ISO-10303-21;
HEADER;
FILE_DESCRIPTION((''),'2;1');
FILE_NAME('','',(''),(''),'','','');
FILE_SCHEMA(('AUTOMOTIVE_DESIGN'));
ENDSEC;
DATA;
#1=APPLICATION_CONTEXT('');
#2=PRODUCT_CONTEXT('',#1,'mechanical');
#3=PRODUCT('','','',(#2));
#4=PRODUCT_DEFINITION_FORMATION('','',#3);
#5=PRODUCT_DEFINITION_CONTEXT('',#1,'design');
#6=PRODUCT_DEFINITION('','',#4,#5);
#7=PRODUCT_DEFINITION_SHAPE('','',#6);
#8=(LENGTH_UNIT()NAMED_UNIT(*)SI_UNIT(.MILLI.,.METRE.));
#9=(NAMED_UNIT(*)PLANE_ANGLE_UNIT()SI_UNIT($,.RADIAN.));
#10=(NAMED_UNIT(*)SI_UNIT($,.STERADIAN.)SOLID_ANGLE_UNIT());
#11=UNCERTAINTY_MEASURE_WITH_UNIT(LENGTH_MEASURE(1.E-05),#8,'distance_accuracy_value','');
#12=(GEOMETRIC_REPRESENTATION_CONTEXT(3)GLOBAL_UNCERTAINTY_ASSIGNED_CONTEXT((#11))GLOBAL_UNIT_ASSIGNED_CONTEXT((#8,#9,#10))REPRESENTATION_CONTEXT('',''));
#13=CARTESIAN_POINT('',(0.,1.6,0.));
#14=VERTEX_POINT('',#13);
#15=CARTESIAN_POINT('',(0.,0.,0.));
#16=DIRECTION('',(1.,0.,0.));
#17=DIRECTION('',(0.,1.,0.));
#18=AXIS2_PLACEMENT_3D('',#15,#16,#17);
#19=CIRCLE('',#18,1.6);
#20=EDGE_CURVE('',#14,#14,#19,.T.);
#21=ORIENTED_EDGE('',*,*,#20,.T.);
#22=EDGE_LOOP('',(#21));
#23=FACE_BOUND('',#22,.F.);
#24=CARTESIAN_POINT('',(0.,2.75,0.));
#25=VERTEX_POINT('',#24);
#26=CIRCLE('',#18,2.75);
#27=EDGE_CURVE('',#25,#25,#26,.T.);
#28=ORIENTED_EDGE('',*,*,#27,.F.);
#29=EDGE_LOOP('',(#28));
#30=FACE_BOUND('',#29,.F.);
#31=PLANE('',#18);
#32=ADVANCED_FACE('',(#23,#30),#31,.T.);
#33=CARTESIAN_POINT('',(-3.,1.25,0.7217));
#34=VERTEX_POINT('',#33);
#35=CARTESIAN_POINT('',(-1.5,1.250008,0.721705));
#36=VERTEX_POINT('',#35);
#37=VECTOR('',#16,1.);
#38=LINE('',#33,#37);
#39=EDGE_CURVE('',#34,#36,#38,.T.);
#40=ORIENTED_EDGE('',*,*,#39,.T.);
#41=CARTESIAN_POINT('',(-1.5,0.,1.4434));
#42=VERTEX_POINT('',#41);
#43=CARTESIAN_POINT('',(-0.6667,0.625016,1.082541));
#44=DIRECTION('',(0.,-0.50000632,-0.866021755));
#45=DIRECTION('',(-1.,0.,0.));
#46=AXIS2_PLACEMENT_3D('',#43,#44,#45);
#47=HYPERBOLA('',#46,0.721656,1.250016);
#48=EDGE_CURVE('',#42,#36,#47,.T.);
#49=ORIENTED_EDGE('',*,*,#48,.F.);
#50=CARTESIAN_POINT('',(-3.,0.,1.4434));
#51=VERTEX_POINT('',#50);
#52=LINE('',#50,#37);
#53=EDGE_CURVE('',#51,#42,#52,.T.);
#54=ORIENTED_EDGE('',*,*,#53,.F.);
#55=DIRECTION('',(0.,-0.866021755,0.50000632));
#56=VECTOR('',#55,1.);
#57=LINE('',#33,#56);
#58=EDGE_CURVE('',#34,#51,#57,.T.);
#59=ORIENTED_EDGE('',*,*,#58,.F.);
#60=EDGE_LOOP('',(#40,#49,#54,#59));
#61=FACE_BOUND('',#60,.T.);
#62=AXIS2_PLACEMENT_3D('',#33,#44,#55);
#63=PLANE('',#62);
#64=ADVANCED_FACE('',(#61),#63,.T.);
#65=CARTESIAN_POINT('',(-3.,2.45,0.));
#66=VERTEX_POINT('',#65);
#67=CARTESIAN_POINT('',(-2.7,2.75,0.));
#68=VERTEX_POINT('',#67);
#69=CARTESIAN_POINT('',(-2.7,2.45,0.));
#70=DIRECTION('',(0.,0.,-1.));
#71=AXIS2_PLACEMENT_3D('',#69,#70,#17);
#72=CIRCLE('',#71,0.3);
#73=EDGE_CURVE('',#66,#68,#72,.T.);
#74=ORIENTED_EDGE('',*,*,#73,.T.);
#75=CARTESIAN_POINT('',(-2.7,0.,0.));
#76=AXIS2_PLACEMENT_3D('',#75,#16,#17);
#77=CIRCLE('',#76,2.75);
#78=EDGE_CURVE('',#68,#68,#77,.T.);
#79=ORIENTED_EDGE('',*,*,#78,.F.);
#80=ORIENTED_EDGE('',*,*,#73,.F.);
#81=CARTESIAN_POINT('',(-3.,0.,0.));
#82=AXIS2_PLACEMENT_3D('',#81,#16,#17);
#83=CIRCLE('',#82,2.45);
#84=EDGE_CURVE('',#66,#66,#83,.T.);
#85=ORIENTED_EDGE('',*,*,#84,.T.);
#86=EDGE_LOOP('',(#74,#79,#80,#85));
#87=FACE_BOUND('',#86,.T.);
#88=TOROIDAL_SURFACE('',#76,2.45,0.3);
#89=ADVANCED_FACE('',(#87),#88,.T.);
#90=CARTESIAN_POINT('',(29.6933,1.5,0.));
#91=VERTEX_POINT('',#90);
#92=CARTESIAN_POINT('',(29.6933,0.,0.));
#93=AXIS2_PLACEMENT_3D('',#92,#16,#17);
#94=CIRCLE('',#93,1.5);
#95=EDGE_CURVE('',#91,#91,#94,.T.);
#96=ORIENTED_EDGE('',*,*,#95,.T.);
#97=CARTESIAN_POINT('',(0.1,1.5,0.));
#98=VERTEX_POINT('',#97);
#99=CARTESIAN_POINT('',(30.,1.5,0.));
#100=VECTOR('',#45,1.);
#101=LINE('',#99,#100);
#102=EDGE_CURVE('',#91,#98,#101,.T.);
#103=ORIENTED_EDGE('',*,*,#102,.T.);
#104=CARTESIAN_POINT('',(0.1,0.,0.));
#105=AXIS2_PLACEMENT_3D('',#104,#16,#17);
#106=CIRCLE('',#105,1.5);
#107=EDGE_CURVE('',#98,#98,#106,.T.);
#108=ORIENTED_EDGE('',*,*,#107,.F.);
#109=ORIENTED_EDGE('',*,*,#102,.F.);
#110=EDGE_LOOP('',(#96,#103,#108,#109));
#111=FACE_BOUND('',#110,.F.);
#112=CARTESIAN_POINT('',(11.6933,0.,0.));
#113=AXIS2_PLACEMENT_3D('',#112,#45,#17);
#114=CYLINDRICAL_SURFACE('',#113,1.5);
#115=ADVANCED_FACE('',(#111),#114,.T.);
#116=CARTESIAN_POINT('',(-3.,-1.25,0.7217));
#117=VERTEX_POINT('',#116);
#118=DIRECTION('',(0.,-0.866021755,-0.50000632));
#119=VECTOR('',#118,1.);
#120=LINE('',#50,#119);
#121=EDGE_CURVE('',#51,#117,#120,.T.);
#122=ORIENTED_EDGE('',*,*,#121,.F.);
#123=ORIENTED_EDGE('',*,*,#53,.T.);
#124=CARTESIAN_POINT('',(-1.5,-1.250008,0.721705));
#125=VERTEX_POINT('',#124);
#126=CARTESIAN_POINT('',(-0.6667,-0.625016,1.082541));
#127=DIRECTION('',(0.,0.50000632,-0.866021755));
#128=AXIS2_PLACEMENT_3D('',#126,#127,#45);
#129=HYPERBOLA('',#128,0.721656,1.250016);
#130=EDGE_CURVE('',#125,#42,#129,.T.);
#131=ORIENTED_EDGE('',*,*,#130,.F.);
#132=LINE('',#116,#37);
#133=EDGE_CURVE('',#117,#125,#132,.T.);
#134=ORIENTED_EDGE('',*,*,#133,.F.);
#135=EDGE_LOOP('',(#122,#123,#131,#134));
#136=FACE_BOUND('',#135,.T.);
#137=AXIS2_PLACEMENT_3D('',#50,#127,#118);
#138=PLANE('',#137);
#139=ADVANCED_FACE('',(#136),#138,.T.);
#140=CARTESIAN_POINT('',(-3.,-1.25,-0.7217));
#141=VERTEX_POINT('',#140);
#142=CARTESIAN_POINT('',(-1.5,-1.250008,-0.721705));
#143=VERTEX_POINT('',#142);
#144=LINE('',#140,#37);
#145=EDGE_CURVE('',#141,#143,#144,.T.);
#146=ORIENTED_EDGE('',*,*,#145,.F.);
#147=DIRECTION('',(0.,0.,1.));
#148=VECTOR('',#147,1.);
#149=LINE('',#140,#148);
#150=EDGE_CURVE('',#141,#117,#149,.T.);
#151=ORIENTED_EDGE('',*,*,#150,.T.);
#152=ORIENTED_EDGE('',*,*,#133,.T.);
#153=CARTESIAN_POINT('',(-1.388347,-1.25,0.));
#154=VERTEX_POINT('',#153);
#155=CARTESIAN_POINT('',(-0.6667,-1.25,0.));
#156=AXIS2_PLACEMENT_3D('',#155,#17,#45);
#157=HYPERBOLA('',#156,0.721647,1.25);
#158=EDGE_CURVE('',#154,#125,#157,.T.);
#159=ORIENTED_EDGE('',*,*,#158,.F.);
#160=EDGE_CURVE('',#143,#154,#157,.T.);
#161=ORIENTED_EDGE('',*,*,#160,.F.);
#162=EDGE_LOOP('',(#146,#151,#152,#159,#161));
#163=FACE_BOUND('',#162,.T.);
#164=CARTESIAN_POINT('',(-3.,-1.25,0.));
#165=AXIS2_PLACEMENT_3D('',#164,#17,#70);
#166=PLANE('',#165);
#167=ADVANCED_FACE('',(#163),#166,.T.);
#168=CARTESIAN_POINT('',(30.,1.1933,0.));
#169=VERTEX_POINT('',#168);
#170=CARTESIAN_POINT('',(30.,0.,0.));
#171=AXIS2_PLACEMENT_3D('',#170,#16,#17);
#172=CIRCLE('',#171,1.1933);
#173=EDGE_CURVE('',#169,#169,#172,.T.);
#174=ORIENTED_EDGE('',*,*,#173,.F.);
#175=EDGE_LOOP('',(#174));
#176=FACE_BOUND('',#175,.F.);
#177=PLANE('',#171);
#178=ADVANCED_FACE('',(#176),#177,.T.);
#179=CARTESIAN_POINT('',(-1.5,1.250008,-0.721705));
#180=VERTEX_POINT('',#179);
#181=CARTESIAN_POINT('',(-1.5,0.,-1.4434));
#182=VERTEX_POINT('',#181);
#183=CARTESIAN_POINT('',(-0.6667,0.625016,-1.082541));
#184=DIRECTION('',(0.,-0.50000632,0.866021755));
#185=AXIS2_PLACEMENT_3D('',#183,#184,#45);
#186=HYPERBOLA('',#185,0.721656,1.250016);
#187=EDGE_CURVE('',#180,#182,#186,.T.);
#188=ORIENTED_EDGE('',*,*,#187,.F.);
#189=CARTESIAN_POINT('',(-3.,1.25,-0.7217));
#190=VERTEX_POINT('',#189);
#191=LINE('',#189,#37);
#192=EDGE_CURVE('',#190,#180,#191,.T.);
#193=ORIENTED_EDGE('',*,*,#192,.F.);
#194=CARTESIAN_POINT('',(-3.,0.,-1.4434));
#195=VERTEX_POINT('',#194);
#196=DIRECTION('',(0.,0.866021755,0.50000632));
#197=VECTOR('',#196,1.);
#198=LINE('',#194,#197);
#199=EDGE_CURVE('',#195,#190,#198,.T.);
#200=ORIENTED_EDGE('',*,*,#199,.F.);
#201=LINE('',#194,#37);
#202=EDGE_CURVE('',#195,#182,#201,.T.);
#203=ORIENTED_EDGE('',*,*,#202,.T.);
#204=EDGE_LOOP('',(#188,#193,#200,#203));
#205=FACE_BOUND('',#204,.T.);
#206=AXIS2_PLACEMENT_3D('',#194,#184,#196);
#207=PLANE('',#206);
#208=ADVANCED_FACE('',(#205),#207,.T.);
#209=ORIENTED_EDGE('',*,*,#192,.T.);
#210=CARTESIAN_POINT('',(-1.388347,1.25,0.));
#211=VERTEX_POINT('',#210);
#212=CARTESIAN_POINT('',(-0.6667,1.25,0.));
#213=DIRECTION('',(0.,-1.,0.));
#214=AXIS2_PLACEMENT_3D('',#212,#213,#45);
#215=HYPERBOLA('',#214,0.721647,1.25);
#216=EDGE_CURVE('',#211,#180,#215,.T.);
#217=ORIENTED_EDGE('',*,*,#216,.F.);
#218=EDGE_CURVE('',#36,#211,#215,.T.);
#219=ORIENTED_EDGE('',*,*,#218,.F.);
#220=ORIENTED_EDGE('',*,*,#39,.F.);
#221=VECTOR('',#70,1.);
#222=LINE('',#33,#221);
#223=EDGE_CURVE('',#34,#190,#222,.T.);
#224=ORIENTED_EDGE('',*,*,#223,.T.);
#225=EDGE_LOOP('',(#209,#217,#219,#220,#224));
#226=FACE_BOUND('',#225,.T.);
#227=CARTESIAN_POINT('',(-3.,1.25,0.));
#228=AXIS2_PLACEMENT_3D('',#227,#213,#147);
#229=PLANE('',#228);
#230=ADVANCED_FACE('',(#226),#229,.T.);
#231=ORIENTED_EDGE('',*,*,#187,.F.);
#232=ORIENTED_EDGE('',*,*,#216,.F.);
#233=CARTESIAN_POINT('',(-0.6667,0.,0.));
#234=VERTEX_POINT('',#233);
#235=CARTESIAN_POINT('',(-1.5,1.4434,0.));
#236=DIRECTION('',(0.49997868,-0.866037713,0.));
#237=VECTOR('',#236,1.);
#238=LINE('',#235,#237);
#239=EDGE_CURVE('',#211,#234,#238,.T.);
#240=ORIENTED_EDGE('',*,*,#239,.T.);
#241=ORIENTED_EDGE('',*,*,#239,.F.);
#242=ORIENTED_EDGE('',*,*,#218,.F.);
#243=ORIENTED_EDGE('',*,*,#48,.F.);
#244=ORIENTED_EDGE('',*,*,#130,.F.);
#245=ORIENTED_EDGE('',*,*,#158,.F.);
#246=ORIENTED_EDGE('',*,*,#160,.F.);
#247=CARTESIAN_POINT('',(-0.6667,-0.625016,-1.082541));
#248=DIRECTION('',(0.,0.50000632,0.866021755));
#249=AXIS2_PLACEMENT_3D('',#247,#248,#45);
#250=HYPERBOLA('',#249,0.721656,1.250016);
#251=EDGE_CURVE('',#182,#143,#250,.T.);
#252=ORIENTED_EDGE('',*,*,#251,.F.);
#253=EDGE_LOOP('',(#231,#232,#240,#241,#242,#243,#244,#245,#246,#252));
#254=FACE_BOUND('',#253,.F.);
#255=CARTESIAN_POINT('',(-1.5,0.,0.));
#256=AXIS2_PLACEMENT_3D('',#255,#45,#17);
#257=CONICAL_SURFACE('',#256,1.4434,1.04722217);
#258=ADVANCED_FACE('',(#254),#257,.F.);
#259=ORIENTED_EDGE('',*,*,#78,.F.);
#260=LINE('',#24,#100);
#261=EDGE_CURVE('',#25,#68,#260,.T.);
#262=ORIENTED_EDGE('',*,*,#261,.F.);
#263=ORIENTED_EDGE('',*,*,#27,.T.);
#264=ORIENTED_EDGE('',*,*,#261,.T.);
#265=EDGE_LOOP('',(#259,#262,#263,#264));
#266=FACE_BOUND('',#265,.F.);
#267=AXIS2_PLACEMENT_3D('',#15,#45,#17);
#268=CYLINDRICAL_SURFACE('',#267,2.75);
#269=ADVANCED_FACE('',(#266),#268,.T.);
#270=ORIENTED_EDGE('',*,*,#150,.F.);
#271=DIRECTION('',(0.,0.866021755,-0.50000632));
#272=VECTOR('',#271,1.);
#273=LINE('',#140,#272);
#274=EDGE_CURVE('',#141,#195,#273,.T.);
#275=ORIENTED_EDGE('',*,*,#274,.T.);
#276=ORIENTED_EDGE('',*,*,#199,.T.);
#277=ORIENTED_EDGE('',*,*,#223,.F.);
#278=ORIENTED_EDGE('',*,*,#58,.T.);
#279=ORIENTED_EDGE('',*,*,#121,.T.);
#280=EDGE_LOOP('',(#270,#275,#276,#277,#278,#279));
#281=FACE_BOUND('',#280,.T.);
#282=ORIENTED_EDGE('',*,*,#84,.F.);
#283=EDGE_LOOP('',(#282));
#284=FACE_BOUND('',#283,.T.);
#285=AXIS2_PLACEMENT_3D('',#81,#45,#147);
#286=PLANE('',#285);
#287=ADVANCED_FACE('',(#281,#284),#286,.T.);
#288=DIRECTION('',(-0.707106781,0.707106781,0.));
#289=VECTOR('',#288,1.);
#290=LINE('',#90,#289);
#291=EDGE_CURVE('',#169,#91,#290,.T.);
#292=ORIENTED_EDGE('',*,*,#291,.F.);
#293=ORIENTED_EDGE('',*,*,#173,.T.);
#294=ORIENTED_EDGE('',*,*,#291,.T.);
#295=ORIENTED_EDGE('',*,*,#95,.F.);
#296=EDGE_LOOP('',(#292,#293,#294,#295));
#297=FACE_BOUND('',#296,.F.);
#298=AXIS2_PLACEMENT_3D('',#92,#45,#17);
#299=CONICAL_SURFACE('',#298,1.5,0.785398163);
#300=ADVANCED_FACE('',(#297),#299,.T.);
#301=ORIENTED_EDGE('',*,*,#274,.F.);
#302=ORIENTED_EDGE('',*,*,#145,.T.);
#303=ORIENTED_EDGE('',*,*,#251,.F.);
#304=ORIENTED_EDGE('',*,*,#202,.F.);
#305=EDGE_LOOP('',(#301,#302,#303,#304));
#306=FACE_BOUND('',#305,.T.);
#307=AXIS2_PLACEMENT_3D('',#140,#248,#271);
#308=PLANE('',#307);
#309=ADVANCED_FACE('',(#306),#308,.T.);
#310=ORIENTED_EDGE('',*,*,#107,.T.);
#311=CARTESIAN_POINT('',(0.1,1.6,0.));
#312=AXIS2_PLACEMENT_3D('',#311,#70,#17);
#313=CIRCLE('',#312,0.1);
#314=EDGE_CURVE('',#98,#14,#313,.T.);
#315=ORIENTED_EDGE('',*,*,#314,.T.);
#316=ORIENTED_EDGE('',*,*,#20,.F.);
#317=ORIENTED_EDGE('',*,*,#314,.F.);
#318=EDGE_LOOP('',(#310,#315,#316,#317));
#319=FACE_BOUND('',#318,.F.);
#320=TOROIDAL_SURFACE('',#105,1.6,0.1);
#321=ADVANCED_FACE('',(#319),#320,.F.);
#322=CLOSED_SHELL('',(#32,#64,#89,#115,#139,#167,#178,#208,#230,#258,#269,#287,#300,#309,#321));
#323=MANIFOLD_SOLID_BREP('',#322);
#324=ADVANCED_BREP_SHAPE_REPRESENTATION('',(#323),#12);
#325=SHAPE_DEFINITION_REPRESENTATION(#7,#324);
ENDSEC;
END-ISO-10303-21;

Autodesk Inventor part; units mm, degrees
ref_plane "YZ Plane" through (0, 0, 0) normal (1, 0, 0) x (0, 1, 0)
ref_plane "XZ Plane" through (0, 0, 0) normal (0, 1, 0) x (-1, 0, 0)
sketch "Sketch1" plane through (0, 0, 0) normal (0, 0, 1) x (1, 0, 0)
  line L0 (-0.6667, 0) -> (30, 0)
  line L1 (30, 0) -> (30, 1.5)
  line L2 (30, 1.5) -> (12, 1.5)
  line L3 (12, 1.5) -> (11.6933, 1.5)
  line L4 (11.6933, 1.5) -> (0, 1.5)
  line L5 (0, 1.5) -> (0, 2.75)
  line L6 (0, 2.75) -> (-3, 2.75)
  line L7 (-3, 2.75) -> (-3, 1.4434)
  line L8 (-3, 1.4434) -> (-1.5, 1.4434)
  line L9 (-1.5, 1.4434) -> (-0.6667, 0)
  line L10 (-9.6, 0) -> (36.6, 0) projected
  line L11 (0, -0.55) -> (0, 3.3) projected
  line L12 (12, 1.5) -> (0, 1.5) construction
  dimension "d0" = 18
  dimension "d1" = 0.3067
  dimension "d2" = 3
  dimension "d3" = 1.5
  dimension "d4" = 60
  dimension "d5" = 3
  dimension "d6" = 3
  dimension "d7" = 2.8868
  dimension "d8" = 5.5
  dimension "d19" = 30
revolve "Body" add sketch "Sketch1" angle 360 about axis through (-0.6667, 0, 0) along (1, 0, 0)
sketch "Sketch2" plane through (-3, 0, 0) normal (-1, 0, 0) x (0, 0, 1)
  circle A0 centre (0, 0) radius 1.4434 projected
  line L0 (0, -3.85) -> (0, 3.85) projected
  line L1 (-3.85, 0) -> (3.85, 0) projected
  line L2 (1.4434, 0) -> (0.7217, -1.25)
  line L3 (0.7217, -1.25) -> (-0.7217, -1.25)
  line L4 (-0.7217, -1.25) -> (-1.4434, 0)
  line L5 (-1.4434, 0) -> (-0.7217, 1.25)
  line L6 (-0.7217, 1.25) -> (0.7217, 1.25)
  line L7 (0.7217, 1.25) -> (1.4434, 0)
extrude "Slot" add sketch "Sketch2" against normal up to next contours L7 A0 | A0 L2 | L6 L0 A0 | A0 L0 L3 | L0 L6 A0 | A0 L3 L0 | L4 A0 | A0 L5
fillet "Fillet2" radius 0.3 1 edges at (-3, -2.75, 0)
thread "Thread" size "M3x0.5" class "6g" standard "ISO Metric profile" length 18
chamfer "Chamfer1" distance 0.3067 distance2 0.3067 1 edges at (30, -1.5, 0) measured on face at (30, -0.3888, 0.2119)
fillet "Fillet1" radius 0.1 1 edges at (0, -1.5, 0)
ref_plane "Work Plane1" through (30, 0, 0) normal (0, -0.5, 0.866) x (1, 0, 0)
equation "\"d0\" = GEL"
equation "\"d1\" = GAL"
equation "\"d2\" = KOH"
equation "\"d3\" = INTI"
equation "\"d5\" = GD"
equation "\"d6\" = BDM"
equation "\"d7\" = 1.1547 * SW"
equation "\"d8\" = KOD"
equation "\"d19\" = NLG"
equation "\"d16\" = RR"
equation "\"d12\" = GEL"
equation "\"d14\" = -0.5 * SPD + 0.5 * GD"
equation "\"d15\" = GUL"
equation "\"d29\" = R"
equation "\"GD\" = NND"
equation "\"NLG\" = 30"
equation "\"GEL\" = 18"
equation "\"KOD\" = 5.5"
equation "\"KOH\" = 3"
equation "\"INTI\" = 1.5"
equation "\"GAL\" = 0.61345 * PTC"
equation "\"GUL\" = 0.61345 * PTC"
equation "\"BDM\" = NND"
equation "\"SW\" = 2.5"
equation "\"RR\" = 0.3"
equation "\"SPD\" = 2.38655"
equation "\"d28\" = R"
equation "\"R\" = 0.1"
equation "\"TOA\" = 30deg"
equation "\"THREADDIA\" = 3"
equation "\"KOD1\" = KOD"
equation "\"PTC\" = 0.5"
equation "\"NND\" = 3"
equation "\"E0\" = 1.155 * SW"
equation "\"GD1\" = THREADDIA - 1.2269 * PTC"
properties part number "ANSI B18.3.1M - M3x0.5 x 30" material "Steel, Mild"
